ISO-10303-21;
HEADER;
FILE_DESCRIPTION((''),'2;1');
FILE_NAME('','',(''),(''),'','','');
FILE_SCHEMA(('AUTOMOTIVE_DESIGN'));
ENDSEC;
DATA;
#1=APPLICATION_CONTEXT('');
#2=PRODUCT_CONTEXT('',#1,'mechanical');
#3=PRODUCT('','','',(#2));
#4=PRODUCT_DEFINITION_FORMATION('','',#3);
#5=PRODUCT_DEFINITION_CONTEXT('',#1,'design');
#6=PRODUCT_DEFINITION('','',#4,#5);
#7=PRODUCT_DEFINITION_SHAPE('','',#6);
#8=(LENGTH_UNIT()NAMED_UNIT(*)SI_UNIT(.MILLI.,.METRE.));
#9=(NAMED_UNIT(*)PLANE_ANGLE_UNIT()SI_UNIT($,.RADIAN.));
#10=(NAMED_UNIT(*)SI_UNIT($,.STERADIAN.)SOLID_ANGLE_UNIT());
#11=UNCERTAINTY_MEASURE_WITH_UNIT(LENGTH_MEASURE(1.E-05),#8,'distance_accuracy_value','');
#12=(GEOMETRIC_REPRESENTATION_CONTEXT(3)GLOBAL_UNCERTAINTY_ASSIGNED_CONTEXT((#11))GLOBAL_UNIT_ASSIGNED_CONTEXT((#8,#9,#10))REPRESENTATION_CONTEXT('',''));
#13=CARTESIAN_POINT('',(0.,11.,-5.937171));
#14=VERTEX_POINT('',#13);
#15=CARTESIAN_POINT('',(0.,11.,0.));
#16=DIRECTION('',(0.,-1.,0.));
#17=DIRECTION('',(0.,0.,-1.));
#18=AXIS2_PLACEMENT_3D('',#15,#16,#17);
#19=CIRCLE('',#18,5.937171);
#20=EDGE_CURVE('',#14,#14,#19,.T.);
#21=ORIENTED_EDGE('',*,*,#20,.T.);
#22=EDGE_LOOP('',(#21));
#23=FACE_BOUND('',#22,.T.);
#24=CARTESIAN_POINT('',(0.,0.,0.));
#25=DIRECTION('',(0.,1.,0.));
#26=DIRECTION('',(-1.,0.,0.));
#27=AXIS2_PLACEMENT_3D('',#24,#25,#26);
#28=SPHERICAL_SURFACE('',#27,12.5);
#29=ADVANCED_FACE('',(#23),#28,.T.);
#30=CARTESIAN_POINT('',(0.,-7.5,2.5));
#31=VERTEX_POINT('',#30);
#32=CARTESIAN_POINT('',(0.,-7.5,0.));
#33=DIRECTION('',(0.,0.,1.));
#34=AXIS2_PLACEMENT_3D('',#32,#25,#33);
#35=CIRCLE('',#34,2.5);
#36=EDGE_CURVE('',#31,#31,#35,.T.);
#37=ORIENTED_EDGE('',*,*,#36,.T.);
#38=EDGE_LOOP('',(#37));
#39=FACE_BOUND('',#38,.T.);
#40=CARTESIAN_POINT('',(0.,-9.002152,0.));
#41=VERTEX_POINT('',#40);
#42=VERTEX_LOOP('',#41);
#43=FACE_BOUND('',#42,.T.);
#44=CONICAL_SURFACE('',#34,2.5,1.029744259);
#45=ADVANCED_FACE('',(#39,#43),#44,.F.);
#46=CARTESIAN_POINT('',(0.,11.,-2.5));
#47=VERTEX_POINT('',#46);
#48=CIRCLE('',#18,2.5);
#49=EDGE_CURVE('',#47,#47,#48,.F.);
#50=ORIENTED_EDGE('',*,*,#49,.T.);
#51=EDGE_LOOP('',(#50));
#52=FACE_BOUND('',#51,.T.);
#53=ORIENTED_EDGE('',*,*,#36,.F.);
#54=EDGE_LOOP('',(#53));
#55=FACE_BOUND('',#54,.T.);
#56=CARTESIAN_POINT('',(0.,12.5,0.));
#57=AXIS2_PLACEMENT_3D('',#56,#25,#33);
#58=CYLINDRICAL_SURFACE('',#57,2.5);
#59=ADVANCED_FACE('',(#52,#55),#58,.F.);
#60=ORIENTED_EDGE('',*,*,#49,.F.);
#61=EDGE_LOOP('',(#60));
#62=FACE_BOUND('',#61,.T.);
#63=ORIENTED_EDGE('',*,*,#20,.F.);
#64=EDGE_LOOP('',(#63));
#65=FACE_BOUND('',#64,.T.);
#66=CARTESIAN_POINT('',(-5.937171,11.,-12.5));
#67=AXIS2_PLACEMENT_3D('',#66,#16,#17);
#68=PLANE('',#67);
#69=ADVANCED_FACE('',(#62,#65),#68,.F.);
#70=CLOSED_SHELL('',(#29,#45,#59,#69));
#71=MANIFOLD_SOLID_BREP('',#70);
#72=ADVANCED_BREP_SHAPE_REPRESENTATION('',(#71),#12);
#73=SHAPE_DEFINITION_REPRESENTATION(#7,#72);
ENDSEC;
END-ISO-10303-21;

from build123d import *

# Parameters (mm, degrees)
TROU_TARAUD_M61_D     = 5
TROU_TARAUD_M61_DEPTH = 20
TROU_TARAUD_M61_TIP   = 1.502151548
EXTRUSION1_DEPTH      = 22.650635095
EXTRUSION1_DEPTH_BACK = 22.650635095
ESQUISSE5_W           = 11.874342088
ESQUISSE5_H           = 3.786271938


with BuildPart() as part:
    # Esquisse1 → Révolution1 (revolve)
    with BuildSketch(Plane.XY):
        with BuildLine():
            Line((0, -12.5), (0, 12.5))
            ThreePointArc((0, 12.5), (12.5, 0), (0, -12.5))
        make_face()
    revolve(axis=Axis((0, 81.368836261, 0), (0, -1, 0)))

    # Trou taraudé M61
    with Locations(Plane(origin=(0, 12.5, 0), x_dir=(-1, 0, 0), z_dir=(0, 1, 0))):
        with Locations((0, 0)):
            Hole(TROU_TARAUD_M61_D / 2, depth=TROU_TARAUD_M61_DEPTH)
            with Locations((0, 0, -(TROU_TARAUD_M61_DEPTH + TROU_TARAUD_M61_TIP / 2))):  # 118° drill point
                Cone(0, TROU_TARAUD_M61_D / 2, TROU_TARAUD_M61_TIP, mode=Mode.SUBTRACT)

    # Esquisse5 → Extrusion1 (cut, two sides: drawn at the far end of the back side and taken through both)
    with BuildSketch(Plane.XY.offset(-EXTRUSION1_DEPTH_BACK)):
        with Locations((0, 12.893135969)):
            Rectangle(ESQUISSE5_W, ESQUISSE5_H)
    extrude(amount=EXTRUSION1_DEPTH + EXTRUSION1_DEPTH_BACK, mode=Mode.SUBTRACT)


solid = part.part
